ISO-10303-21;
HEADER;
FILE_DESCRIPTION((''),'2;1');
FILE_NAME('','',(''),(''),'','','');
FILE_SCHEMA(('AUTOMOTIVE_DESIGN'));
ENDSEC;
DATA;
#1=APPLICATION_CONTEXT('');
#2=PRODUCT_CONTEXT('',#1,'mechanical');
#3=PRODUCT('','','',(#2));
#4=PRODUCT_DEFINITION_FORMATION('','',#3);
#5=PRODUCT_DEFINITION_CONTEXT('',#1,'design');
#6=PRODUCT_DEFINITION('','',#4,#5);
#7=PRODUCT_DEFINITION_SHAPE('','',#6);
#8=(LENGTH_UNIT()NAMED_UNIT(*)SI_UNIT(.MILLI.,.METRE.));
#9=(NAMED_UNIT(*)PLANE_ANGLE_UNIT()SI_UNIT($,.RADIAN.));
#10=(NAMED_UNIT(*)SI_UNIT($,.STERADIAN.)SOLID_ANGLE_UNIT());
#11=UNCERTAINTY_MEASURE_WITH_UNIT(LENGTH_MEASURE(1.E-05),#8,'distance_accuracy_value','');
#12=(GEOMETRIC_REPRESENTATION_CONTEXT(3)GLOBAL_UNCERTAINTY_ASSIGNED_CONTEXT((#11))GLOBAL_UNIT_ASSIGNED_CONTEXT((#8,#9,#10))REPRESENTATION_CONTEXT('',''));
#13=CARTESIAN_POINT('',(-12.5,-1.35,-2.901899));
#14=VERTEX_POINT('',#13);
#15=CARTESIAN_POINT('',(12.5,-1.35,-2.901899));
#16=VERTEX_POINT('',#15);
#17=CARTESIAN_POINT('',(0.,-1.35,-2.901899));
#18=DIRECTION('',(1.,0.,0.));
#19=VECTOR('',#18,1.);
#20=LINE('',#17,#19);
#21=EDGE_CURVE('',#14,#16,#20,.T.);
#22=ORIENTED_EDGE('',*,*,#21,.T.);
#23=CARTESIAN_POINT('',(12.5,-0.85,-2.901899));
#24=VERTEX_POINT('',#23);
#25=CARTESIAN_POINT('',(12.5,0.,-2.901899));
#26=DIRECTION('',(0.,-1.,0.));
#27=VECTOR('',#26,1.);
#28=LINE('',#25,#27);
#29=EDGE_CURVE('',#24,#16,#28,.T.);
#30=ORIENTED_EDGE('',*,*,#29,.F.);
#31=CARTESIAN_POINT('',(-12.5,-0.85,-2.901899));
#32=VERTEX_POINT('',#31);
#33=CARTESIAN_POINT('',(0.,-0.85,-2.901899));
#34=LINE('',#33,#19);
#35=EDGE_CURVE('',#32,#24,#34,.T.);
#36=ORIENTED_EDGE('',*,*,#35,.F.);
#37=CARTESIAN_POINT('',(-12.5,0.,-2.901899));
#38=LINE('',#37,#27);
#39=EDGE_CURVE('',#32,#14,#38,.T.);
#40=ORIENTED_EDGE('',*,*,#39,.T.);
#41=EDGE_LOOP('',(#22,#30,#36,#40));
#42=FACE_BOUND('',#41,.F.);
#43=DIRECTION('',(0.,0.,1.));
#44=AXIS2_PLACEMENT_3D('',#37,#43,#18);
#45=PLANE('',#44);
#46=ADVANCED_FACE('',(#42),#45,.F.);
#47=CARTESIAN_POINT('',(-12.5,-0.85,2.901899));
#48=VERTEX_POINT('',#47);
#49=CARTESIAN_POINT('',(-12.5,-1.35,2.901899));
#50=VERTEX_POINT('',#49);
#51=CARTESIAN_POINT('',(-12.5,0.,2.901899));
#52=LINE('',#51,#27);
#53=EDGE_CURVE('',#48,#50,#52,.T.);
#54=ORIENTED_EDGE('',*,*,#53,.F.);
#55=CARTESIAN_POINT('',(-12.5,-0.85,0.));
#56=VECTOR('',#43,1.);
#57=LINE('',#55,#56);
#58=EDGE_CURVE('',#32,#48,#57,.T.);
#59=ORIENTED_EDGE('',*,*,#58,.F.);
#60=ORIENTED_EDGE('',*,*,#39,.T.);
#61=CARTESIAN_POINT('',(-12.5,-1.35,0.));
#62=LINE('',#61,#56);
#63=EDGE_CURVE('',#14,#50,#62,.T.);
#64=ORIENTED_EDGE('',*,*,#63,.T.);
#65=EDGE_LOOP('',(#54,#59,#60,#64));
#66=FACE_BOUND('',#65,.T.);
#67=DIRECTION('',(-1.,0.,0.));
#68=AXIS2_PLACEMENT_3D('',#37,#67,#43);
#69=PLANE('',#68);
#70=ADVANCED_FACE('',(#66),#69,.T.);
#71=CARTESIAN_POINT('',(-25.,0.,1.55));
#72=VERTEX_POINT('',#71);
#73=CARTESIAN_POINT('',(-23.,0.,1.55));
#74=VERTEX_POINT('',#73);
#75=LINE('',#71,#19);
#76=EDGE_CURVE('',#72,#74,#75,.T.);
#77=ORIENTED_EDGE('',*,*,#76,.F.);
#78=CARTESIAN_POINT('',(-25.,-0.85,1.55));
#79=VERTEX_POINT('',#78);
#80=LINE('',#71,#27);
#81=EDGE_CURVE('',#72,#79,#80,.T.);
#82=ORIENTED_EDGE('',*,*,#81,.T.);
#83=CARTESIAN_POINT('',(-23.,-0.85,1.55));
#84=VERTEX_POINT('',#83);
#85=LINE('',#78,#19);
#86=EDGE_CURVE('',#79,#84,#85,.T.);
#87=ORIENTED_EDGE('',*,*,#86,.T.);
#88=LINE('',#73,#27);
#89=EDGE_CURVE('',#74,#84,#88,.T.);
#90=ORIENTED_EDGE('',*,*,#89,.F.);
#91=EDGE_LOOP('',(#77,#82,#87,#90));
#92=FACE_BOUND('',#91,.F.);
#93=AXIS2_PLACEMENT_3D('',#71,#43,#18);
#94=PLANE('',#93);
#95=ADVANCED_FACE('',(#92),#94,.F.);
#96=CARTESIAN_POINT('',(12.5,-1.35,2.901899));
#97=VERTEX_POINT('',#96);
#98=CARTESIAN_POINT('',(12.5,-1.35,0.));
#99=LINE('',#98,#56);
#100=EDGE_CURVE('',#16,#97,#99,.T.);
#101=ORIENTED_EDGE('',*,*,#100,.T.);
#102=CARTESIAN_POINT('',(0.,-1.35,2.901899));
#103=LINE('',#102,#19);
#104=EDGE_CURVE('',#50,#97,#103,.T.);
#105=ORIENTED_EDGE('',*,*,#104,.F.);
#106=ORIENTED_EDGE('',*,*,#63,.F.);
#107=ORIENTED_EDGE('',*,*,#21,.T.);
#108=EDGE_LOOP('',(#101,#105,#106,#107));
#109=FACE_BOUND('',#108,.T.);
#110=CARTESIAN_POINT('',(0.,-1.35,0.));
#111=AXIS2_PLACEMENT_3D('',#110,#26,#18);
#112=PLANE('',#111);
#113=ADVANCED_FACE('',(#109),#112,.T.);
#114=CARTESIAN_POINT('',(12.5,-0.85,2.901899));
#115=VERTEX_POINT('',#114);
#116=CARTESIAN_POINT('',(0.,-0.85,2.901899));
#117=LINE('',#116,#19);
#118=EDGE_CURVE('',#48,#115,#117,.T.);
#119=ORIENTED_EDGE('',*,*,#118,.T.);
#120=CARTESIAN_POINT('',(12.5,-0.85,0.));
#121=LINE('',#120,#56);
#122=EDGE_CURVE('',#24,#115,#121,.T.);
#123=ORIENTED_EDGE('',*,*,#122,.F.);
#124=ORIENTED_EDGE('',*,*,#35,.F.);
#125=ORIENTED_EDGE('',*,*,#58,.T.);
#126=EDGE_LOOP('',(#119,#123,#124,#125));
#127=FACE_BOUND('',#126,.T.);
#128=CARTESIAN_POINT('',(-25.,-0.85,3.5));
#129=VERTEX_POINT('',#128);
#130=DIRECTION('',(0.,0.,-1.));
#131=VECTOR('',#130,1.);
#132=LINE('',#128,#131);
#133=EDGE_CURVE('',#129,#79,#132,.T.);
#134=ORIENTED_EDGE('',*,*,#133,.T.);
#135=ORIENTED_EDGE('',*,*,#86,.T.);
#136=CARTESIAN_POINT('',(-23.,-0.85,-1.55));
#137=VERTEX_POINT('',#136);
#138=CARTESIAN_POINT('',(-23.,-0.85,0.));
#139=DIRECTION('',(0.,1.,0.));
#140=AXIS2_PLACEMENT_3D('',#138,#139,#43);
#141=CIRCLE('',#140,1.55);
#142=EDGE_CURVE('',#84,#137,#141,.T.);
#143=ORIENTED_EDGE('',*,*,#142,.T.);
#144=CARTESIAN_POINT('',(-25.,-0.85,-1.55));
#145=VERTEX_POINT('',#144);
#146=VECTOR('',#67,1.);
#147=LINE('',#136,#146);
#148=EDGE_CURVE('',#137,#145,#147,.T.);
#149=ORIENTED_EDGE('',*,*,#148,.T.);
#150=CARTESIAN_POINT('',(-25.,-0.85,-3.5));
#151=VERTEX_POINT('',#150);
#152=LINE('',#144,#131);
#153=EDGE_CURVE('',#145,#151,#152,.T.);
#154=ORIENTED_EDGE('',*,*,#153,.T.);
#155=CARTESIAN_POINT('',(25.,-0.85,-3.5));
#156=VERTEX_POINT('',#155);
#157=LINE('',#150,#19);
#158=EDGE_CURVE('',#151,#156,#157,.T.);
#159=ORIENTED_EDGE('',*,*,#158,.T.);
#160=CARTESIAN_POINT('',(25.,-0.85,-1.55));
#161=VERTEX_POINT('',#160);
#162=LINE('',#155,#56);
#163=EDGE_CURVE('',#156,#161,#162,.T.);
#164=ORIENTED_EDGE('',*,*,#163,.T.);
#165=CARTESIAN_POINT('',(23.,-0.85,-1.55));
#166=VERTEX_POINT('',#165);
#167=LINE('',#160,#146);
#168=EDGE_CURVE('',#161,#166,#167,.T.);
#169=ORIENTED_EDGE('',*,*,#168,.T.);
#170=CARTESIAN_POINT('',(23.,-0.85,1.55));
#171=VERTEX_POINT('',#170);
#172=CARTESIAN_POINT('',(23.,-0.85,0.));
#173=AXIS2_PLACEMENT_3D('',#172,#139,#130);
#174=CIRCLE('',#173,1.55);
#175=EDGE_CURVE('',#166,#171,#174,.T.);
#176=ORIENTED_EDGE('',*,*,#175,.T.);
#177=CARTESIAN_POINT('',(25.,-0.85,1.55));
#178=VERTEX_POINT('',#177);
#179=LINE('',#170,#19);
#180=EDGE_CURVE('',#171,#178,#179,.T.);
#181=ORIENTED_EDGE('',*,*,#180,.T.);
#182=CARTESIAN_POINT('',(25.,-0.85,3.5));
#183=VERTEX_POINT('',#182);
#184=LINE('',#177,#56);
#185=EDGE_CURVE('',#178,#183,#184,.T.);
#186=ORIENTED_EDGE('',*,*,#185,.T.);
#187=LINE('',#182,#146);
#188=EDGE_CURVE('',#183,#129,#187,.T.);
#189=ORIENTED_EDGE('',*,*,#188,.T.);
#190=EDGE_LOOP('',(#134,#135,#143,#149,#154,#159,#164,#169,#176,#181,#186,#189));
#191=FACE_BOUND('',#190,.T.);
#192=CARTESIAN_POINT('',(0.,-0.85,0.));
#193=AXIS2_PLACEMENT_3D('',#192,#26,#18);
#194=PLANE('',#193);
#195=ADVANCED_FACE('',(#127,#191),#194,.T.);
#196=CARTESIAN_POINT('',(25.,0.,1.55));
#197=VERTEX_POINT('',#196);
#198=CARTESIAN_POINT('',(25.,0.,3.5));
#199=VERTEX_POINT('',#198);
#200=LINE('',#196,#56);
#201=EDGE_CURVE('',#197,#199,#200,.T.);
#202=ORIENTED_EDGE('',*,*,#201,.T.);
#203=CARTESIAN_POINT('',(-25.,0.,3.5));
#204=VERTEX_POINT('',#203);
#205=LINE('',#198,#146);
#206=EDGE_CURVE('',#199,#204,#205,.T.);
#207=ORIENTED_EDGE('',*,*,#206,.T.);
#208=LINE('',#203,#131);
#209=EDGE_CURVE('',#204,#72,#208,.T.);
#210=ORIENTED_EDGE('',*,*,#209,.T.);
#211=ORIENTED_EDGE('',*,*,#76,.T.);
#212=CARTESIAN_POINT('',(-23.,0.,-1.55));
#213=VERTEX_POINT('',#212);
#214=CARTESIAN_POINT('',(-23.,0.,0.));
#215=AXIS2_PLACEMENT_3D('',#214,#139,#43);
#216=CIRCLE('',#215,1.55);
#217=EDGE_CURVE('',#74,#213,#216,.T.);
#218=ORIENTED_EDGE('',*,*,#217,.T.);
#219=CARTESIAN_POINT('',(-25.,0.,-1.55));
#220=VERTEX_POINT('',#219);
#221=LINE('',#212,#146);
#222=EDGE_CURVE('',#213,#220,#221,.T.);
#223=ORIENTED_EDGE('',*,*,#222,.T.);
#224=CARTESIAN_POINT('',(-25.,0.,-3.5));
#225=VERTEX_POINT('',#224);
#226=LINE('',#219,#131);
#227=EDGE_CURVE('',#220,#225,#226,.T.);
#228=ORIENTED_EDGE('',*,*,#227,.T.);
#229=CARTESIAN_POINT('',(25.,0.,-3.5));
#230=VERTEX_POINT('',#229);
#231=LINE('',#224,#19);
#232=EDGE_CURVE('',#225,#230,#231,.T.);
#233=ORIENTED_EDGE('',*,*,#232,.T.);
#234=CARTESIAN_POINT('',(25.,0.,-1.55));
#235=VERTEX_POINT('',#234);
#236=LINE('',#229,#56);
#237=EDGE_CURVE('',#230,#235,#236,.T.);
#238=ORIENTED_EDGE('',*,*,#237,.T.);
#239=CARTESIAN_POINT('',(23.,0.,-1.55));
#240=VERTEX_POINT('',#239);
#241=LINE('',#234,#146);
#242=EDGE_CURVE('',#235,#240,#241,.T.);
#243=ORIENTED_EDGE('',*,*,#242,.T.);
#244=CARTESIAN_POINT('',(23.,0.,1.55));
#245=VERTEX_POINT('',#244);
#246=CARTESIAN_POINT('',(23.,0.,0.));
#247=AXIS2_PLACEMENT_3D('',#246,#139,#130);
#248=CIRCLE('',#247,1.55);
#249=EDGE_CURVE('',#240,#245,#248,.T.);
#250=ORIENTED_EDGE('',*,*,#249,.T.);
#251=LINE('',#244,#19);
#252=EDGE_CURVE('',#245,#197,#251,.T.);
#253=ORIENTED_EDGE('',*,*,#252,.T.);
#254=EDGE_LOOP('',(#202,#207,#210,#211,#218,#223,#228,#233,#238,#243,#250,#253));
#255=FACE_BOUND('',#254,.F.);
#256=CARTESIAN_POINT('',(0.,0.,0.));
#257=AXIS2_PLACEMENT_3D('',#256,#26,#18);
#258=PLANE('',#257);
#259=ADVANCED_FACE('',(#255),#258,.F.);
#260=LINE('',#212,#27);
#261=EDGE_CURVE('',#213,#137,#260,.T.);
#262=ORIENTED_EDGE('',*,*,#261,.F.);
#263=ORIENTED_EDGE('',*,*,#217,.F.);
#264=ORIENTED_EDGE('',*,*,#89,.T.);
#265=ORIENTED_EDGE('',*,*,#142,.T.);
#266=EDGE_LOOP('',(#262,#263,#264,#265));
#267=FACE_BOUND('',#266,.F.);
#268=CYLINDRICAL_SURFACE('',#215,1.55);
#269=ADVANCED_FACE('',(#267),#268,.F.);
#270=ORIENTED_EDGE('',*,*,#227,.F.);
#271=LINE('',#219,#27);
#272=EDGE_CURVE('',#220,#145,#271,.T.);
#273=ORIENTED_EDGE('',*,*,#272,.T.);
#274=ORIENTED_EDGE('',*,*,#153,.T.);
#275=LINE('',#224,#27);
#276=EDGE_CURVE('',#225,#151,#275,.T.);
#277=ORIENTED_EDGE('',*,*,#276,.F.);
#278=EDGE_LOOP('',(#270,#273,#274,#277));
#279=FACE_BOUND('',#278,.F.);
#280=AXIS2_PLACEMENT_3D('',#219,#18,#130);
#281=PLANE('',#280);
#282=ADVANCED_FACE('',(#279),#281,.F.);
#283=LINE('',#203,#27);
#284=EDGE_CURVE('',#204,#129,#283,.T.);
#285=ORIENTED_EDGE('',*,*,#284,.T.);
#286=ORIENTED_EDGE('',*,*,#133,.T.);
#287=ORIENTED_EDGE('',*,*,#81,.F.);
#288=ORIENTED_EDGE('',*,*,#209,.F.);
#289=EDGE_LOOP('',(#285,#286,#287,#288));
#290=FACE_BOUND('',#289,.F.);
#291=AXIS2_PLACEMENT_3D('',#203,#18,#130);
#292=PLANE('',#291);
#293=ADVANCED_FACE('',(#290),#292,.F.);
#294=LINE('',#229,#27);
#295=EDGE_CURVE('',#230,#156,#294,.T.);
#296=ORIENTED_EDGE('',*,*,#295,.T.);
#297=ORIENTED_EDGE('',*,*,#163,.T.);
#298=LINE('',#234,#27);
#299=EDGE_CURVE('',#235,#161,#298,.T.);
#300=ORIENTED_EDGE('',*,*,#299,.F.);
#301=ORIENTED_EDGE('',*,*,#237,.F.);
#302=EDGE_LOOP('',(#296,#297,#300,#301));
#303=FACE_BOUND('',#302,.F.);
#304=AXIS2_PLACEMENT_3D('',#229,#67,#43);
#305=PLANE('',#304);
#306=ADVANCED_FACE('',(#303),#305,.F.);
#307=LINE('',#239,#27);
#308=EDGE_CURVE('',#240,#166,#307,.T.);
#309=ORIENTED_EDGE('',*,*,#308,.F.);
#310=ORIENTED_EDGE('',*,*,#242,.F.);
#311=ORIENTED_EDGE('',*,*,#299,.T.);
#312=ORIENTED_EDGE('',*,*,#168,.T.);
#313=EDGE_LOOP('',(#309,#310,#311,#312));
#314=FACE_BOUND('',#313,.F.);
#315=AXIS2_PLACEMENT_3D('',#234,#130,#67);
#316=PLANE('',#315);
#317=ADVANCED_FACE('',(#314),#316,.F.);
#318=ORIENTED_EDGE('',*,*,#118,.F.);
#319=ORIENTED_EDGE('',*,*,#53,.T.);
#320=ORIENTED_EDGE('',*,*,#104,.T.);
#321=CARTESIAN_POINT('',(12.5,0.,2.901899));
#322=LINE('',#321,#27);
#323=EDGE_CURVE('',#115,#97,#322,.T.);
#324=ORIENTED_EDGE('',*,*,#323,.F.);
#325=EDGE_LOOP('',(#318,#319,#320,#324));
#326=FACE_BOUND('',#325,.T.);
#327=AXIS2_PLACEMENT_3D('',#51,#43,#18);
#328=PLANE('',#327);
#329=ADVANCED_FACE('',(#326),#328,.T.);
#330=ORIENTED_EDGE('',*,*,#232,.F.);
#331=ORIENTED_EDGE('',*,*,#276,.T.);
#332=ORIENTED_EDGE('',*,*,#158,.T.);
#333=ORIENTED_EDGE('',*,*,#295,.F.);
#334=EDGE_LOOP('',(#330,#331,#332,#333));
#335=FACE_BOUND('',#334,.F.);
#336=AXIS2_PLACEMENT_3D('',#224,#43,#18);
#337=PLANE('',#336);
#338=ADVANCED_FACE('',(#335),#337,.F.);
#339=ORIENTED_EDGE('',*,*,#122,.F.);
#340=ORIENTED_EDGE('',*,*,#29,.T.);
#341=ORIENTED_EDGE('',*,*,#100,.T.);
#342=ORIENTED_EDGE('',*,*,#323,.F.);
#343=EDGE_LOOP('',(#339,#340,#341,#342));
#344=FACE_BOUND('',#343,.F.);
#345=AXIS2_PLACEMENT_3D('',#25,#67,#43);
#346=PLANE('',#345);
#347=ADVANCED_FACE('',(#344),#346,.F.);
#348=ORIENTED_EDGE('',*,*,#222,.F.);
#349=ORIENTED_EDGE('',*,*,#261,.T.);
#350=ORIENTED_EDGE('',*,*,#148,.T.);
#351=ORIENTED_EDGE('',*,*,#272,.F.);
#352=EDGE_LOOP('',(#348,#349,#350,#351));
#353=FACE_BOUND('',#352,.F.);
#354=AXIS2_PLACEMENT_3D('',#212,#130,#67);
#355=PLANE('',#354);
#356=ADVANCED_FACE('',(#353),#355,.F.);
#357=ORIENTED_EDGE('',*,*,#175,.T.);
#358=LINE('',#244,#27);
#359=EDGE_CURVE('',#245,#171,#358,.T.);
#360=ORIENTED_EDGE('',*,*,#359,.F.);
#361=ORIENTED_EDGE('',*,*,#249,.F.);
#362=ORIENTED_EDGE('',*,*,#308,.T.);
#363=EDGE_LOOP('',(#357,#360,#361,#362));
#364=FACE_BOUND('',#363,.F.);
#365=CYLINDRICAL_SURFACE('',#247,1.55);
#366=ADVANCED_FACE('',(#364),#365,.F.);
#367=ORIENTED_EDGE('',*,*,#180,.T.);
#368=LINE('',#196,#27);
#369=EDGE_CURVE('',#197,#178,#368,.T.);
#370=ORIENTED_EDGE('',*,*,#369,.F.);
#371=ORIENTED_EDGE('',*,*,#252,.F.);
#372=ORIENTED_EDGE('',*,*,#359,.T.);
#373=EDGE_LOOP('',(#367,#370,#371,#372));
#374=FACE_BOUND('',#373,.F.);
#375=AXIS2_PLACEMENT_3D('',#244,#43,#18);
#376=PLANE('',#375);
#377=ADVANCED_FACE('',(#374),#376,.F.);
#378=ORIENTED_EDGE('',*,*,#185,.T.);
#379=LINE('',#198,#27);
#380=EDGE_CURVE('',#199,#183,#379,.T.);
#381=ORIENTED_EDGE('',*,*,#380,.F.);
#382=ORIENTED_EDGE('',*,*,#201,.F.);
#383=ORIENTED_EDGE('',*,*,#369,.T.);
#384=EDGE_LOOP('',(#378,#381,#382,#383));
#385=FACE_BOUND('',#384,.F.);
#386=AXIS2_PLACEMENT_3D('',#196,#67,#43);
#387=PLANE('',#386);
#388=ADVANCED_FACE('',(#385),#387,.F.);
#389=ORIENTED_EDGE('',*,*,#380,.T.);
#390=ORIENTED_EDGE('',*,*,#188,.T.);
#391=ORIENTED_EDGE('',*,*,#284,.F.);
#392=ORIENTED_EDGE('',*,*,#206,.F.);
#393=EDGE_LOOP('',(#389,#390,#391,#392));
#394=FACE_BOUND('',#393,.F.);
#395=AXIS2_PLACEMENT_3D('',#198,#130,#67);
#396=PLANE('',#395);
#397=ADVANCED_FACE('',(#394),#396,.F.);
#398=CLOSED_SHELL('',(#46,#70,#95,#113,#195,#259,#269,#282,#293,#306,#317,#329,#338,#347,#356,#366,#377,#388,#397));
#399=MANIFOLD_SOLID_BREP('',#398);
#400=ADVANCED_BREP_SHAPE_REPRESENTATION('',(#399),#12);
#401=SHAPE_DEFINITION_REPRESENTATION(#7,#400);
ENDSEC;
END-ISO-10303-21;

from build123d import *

# Parameters (mm, degrees)
F0_W     = 25
F0_H     = 5.803798
F1_DEPTH = 1.35
F2_DEPTH = 0.85


with BuildPart() as f1:
    # F0 (on Front) → F1 (new body)
    with BuildSketch(Plane.XZ):
        Rectangle(F0_W, F0_H)
    extrude(amount=F1_DEPTH)

    # F0 (on Front) → F2 (join)
    with BuildSketch(Plane.XZ):
        with BuildLine():
            Line((25, 1.55), (25, 3.5))
            Line((25, 3.5), (-25, 3.5))
            Line((-25, 3.5), (-25, 1.55))
            Line((-25, 1.55), (-23, 1.55))
            ThreePointArc((-23, 1.55), (-21.45, 0), (-23, -1.55))
            Line((-23, -1.55), (-25, -1.55))
            Line((-25, -1.55), (-25, -3.5))
            Line((-25, -3.5), (25, -3.5))
            Line((25, -3.5), (25, -1.55))
            Line((25, -1.55), (23, -1.55))
            ThreePointArc((23, -1.55), (21.45, 0), (23, 1.55))
            Line((23, 1.55), (25, 1.55))
        make_face()
        Rectangle(F0_W, F0_H, mode=Mode.SUBTRACT)
    extrude(amount=F2_DEPTH)


solid = f1.part
